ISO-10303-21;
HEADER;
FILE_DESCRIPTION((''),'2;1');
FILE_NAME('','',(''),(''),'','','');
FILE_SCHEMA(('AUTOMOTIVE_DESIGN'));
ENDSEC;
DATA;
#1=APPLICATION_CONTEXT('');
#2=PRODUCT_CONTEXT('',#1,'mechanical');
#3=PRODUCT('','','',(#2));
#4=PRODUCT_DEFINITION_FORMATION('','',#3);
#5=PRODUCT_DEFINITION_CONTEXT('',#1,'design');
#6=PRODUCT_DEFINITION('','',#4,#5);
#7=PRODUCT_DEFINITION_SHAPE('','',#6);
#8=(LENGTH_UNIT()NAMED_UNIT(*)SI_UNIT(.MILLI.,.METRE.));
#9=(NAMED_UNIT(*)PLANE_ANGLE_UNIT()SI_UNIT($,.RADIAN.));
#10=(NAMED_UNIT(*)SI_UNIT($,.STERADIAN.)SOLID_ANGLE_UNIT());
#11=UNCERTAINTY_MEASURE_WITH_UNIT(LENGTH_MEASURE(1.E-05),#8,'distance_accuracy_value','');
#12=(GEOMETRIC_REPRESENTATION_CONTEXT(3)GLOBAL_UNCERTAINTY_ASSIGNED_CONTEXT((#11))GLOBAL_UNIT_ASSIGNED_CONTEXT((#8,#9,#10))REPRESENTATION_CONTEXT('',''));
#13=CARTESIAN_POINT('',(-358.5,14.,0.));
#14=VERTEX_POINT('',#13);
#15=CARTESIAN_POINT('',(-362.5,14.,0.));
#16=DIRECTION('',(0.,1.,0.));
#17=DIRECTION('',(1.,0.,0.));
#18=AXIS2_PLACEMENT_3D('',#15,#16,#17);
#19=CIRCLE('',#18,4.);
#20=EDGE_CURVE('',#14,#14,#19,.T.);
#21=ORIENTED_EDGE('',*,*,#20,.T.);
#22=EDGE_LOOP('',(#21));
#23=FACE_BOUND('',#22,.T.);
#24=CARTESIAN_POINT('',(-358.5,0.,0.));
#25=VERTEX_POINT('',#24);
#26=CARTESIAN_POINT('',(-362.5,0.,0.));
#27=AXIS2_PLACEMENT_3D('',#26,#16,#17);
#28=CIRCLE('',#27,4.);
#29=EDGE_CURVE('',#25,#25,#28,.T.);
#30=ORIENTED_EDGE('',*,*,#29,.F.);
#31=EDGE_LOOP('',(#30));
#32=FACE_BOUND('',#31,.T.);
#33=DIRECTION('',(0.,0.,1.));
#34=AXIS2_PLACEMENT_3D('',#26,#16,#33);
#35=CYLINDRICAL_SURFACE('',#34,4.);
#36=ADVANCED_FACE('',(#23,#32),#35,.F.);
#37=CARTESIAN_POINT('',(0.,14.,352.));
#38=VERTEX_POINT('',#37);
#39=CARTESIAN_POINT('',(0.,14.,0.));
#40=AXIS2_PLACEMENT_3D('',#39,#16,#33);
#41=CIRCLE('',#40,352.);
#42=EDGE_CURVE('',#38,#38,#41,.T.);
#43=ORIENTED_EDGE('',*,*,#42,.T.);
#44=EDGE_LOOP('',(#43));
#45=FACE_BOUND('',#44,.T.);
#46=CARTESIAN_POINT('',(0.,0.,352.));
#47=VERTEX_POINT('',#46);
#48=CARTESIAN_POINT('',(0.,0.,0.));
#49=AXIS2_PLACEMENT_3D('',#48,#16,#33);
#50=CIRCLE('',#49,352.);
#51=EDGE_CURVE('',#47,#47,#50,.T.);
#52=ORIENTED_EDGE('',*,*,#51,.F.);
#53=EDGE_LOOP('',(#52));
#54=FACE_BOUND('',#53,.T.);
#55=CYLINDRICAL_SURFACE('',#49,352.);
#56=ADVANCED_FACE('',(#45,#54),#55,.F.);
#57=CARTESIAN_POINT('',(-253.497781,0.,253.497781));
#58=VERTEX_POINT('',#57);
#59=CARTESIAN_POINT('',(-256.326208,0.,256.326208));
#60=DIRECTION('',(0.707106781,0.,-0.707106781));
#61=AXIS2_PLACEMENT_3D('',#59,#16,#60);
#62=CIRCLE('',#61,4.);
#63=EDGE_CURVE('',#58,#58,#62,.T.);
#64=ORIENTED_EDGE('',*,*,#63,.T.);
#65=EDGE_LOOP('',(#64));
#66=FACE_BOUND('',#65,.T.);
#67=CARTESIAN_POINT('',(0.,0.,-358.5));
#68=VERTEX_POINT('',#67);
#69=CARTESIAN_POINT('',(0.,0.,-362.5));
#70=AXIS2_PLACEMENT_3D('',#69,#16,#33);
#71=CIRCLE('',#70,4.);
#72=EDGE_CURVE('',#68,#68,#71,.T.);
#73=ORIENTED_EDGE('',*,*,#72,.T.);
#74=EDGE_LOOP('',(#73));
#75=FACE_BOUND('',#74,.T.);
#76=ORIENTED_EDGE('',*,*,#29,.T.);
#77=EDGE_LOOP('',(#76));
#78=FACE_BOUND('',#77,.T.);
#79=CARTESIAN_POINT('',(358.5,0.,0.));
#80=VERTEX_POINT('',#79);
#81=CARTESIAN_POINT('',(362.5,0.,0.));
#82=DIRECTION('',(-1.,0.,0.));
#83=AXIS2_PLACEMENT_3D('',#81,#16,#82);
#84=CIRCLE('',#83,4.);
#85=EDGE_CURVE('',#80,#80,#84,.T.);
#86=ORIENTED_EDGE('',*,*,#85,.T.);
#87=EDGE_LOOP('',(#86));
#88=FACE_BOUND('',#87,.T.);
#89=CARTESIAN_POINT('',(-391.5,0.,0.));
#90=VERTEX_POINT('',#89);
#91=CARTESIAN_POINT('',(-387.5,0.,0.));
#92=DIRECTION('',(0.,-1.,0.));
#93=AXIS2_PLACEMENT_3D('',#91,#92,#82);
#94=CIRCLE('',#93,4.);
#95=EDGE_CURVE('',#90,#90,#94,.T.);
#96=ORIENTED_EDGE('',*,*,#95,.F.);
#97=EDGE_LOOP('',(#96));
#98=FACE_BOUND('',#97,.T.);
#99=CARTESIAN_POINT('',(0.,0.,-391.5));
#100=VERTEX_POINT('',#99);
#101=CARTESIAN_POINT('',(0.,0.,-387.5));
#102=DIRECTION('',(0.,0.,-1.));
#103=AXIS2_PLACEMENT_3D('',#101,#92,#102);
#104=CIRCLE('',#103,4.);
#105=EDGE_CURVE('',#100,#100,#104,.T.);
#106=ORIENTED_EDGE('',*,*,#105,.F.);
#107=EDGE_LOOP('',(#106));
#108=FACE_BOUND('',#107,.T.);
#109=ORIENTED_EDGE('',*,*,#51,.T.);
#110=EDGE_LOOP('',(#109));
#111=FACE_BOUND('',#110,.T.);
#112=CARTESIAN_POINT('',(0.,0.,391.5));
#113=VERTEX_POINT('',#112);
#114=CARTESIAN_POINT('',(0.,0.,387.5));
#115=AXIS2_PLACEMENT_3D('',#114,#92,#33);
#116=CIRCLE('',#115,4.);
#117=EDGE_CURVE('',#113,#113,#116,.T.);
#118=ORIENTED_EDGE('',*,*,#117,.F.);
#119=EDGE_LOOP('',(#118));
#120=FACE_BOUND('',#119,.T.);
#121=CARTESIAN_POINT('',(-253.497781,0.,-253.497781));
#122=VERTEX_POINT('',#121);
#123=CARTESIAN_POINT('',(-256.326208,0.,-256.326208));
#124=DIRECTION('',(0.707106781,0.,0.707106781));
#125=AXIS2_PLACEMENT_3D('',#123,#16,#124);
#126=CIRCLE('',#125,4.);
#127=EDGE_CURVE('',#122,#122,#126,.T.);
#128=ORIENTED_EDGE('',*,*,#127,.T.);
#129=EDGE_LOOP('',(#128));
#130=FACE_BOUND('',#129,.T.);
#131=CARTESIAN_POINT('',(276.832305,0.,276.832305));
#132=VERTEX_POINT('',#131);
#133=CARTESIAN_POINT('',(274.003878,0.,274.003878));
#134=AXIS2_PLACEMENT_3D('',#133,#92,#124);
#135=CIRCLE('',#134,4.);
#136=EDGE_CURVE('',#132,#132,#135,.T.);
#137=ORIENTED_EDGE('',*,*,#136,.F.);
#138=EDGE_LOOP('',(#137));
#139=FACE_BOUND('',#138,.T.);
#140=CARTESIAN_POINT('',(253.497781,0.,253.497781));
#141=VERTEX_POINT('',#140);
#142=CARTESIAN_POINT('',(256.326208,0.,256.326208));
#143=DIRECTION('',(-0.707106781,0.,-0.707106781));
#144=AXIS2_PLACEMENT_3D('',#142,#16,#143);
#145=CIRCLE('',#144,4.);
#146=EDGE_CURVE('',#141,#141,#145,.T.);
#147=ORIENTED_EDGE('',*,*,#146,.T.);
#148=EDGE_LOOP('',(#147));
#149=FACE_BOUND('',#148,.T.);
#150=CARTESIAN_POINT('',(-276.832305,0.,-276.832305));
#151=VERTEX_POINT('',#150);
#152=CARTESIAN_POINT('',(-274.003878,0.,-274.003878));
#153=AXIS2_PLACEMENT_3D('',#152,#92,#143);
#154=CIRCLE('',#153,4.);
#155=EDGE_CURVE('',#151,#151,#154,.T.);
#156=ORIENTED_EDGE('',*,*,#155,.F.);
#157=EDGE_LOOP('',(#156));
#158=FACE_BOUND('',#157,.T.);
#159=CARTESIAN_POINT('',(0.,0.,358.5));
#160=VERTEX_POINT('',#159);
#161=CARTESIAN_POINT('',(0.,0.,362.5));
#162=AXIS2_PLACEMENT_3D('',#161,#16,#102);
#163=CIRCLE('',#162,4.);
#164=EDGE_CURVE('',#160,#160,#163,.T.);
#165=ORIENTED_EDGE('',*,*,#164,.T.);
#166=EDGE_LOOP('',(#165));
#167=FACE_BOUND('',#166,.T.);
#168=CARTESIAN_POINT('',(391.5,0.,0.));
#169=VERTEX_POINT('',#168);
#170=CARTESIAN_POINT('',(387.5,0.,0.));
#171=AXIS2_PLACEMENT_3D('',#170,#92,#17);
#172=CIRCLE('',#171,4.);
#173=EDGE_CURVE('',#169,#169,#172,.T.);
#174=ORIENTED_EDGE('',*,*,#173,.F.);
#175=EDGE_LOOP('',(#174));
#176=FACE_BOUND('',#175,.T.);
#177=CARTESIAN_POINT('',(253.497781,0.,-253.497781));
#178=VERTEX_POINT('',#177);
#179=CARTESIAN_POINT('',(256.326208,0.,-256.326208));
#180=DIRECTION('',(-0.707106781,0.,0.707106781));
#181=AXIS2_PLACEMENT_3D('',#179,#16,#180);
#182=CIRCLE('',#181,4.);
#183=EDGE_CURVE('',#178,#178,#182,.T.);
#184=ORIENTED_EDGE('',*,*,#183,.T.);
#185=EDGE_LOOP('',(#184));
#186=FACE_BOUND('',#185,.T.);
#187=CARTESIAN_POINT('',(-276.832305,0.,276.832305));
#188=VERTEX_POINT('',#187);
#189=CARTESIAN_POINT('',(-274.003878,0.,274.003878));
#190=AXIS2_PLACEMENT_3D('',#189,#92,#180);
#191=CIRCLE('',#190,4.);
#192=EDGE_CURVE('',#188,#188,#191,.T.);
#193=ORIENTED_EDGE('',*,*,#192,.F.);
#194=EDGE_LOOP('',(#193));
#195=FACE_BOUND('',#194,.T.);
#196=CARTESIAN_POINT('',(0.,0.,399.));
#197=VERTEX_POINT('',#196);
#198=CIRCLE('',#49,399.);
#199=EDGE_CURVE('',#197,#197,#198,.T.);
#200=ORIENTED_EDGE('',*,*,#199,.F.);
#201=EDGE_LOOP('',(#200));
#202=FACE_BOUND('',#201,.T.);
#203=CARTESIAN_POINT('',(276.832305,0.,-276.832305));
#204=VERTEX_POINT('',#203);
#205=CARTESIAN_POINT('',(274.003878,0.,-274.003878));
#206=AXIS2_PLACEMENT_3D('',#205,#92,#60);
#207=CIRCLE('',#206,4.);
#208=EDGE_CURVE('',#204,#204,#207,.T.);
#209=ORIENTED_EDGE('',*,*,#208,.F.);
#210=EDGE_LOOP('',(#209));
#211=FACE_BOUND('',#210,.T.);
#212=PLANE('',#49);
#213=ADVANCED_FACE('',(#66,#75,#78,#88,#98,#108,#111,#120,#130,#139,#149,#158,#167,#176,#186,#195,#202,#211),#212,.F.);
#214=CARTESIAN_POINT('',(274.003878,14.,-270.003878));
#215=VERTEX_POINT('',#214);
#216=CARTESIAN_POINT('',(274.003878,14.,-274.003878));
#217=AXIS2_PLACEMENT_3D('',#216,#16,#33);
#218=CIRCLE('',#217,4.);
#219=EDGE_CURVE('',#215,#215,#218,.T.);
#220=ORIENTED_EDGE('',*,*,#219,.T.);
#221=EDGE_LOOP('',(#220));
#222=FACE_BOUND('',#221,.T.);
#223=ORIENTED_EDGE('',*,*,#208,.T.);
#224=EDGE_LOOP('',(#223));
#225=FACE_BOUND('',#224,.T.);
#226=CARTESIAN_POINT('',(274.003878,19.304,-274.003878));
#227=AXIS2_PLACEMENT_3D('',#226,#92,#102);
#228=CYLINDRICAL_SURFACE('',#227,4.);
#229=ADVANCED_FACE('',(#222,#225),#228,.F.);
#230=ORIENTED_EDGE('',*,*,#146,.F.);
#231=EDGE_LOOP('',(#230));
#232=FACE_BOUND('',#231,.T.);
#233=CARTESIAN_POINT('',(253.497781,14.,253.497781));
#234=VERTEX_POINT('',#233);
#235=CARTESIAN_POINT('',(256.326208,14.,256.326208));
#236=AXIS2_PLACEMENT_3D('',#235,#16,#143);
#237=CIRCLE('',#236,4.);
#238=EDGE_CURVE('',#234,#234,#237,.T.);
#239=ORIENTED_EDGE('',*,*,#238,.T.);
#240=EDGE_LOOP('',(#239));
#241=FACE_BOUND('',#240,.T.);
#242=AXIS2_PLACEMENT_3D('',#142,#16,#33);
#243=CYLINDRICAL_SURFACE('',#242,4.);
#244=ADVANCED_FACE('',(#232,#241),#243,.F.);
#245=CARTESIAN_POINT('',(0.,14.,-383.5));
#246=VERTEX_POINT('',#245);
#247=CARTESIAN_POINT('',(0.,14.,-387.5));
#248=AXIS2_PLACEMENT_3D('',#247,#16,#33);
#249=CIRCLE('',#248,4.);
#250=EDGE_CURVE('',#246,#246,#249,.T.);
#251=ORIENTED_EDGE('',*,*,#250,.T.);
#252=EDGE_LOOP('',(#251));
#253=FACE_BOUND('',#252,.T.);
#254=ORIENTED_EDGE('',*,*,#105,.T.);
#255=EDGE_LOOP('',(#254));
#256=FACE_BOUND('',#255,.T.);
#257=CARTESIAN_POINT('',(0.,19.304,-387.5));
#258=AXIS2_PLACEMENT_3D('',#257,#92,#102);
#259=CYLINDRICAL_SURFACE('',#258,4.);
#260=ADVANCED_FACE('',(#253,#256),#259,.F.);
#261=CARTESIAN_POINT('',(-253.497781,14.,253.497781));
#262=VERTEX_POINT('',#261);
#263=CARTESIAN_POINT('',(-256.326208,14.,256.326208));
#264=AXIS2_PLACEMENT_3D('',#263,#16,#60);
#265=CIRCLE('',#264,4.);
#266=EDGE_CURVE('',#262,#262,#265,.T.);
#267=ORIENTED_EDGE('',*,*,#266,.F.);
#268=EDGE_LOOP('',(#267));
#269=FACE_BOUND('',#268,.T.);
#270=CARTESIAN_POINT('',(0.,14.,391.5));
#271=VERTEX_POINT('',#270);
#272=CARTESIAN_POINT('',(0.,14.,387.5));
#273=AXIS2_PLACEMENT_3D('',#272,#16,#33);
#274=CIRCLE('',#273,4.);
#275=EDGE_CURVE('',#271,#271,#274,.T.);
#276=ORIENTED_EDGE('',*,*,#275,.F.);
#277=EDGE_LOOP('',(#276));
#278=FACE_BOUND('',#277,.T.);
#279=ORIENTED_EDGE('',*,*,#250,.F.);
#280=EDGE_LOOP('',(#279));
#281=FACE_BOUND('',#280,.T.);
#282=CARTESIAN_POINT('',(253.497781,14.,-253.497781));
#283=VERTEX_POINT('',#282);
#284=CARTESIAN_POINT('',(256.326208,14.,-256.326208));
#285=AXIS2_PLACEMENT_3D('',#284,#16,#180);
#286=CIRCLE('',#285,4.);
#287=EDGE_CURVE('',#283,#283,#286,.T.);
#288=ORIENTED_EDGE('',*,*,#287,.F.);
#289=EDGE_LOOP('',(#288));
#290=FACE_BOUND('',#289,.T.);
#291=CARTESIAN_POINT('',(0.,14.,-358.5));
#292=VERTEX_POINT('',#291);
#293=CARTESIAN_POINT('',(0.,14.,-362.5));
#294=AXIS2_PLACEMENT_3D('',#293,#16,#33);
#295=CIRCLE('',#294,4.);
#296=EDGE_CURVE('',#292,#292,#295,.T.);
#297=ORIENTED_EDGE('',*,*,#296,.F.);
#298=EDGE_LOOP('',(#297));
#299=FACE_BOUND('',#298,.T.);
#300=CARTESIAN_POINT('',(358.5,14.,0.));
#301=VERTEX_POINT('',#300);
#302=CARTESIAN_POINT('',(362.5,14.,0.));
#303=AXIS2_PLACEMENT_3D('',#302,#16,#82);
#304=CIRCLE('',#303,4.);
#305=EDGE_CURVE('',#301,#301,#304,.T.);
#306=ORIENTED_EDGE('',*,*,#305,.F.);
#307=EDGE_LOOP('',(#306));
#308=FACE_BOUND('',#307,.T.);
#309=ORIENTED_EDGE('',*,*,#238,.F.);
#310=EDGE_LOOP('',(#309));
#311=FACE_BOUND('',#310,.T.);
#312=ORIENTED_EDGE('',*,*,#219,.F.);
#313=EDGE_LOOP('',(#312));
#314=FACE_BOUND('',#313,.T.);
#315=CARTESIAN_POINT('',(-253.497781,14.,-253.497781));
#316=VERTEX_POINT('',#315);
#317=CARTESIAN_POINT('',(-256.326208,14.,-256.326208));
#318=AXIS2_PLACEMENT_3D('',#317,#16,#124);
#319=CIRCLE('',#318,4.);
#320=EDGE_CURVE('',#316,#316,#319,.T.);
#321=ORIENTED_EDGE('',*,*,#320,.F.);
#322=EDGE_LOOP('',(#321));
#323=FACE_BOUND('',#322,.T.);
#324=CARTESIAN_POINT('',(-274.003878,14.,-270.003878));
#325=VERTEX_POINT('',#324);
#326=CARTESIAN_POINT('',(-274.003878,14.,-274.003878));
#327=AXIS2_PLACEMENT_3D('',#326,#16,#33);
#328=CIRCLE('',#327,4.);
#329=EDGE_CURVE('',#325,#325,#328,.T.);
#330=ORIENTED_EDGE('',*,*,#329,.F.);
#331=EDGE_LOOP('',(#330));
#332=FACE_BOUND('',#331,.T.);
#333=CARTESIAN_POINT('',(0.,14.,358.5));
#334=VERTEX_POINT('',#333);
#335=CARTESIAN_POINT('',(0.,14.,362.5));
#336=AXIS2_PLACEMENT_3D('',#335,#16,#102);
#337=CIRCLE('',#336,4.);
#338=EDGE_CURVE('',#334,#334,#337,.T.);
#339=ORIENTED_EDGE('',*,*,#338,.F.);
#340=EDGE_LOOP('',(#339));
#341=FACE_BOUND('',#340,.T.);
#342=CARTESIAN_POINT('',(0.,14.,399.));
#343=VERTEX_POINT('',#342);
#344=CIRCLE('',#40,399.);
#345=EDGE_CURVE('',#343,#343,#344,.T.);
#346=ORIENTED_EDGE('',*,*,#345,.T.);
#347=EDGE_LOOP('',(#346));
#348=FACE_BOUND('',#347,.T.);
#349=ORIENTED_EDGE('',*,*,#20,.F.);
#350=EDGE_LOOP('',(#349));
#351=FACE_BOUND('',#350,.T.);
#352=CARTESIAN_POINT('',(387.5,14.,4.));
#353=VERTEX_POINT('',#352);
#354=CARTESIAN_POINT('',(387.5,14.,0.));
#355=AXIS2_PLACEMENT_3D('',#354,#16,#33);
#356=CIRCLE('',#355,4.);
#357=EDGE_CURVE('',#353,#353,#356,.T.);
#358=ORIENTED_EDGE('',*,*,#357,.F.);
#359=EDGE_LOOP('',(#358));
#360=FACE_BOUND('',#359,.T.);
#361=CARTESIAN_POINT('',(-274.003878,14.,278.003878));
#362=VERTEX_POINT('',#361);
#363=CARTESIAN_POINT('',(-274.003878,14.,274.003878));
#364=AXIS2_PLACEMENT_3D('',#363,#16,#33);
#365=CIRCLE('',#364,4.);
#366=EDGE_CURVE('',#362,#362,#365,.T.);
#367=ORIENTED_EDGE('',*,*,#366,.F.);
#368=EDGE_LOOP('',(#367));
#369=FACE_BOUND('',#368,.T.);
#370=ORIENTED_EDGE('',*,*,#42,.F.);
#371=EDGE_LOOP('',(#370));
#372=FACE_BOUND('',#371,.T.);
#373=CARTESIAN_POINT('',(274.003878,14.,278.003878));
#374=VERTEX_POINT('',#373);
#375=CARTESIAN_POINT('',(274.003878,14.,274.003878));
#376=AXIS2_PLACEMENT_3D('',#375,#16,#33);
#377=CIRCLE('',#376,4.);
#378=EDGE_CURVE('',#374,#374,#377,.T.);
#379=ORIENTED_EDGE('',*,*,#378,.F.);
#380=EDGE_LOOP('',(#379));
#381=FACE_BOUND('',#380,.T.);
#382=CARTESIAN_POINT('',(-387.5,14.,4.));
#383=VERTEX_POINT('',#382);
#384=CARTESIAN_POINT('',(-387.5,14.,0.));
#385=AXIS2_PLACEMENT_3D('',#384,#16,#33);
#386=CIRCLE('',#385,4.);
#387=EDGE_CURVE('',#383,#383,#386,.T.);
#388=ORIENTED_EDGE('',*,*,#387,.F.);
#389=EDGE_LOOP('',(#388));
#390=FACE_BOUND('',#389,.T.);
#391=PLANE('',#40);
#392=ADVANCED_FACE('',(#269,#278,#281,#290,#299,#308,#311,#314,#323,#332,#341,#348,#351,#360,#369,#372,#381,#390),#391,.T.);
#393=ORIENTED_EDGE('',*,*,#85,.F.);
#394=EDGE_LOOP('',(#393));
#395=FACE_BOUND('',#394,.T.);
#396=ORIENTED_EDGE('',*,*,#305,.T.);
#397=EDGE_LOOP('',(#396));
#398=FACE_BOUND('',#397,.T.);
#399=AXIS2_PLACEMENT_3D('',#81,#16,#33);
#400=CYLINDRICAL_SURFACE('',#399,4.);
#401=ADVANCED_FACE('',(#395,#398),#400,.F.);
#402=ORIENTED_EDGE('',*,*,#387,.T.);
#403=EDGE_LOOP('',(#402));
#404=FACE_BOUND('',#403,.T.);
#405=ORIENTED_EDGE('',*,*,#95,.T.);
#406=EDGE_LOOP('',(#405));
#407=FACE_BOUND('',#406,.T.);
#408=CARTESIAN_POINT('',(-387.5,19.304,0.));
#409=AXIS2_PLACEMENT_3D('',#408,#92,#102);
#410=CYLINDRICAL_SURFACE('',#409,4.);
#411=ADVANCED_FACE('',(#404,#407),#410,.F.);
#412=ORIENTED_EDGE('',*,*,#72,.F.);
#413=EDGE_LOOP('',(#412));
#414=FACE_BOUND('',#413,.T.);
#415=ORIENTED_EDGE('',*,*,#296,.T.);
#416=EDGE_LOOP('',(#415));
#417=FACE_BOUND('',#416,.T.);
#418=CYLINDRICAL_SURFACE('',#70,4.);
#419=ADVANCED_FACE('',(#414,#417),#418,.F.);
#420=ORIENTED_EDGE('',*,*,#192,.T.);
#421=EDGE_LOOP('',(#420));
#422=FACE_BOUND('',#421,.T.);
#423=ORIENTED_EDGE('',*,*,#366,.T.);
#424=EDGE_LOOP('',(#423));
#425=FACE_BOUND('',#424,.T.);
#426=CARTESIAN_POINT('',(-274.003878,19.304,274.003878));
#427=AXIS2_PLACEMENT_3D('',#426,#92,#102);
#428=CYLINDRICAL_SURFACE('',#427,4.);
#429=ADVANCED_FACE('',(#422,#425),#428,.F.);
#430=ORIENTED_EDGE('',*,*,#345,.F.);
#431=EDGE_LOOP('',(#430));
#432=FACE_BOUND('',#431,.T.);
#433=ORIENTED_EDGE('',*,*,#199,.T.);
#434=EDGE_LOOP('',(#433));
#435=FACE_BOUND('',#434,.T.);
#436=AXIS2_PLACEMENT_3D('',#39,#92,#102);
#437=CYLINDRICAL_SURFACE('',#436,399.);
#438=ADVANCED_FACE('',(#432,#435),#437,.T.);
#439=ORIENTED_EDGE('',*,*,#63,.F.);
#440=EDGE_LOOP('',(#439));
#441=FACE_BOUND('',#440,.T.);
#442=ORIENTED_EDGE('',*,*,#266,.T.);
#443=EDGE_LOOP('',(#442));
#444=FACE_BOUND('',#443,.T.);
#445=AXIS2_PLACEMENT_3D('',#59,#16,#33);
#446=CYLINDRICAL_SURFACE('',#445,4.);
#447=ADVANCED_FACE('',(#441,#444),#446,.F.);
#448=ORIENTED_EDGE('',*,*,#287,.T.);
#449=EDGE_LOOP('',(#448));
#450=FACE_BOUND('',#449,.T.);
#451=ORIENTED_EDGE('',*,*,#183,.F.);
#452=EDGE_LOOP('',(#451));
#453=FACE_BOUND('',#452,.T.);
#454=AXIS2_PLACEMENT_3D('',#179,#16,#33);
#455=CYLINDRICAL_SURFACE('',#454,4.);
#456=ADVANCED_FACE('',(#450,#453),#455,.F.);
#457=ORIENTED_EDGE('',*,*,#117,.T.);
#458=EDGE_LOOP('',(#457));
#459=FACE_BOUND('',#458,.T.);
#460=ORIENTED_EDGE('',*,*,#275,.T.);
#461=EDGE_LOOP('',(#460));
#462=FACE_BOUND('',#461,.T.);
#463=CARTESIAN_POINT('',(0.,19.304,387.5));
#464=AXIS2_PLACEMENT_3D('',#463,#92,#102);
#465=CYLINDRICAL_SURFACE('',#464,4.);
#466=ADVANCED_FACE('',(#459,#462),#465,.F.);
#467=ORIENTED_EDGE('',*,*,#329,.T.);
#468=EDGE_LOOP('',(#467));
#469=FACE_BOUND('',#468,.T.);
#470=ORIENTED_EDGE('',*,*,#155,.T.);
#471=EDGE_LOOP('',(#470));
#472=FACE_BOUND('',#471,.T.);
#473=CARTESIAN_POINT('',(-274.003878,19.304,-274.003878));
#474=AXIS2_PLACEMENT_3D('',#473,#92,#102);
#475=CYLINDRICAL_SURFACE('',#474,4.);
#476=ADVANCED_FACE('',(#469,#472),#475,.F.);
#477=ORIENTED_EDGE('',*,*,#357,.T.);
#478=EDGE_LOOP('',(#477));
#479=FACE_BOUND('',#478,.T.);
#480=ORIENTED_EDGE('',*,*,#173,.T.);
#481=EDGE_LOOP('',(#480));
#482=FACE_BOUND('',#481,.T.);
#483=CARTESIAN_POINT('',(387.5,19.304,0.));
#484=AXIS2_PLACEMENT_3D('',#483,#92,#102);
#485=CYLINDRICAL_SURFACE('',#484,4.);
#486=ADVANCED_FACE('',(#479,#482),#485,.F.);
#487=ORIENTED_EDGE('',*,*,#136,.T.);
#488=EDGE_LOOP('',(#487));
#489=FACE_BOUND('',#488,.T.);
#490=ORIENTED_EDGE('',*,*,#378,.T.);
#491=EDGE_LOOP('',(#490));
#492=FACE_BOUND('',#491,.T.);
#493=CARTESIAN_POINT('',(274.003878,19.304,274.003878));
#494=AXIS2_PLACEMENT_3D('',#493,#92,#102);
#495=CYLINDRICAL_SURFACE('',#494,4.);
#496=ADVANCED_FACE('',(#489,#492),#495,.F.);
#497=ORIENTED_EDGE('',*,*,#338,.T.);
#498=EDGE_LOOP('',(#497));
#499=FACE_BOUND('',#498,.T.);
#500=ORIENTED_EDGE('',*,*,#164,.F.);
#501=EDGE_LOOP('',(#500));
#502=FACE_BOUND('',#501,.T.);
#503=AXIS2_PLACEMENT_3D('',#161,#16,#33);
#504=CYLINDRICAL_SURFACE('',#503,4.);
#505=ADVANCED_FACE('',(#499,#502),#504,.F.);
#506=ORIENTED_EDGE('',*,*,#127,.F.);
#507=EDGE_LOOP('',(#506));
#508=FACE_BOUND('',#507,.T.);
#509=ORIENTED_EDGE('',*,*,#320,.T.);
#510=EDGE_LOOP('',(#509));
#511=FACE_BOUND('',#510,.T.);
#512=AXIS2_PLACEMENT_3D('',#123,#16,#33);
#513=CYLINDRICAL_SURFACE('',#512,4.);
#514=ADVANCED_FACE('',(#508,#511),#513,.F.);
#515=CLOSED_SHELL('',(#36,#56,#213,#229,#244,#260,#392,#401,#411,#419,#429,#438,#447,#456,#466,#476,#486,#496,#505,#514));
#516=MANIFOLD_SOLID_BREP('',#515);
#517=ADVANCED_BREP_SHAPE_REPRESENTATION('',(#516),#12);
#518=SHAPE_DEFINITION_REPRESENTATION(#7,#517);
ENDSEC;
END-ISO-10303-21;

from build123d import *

# Parameters (mm, degrees)
SKETCH1_R           = 399
BOSS_EXTRUDE1_DEPTH = 14
SKETCH2_R           = 352
CUT_EXTRUDE1_DEPTH  = 14
SKETCH4_R           = 4
CUT_EXTRUDE2_DEPTH  = 19.304
CIRPATTERN1_COUNT   = 8
SKETCH7_R           = 4
CUT_EXTRUDE3_DEPTH  = 15
CIRPATTERN2_COUNT   = 8


with BuildPart() as part:
    # Sketch1 → Boss-Extrude1 (new body)
    with BuildSketch(Plane(origin=(0, 0, 0), x_dir=(1, 0, 0), z_dir=(0, 1, 0))):
        Circle(SKETCH1_R)
    extrude(amount=BOSS_EXTRUDE1_DEPTH)

    # Sketch2 → Cut-Extrude1 (cut)
    with BuildSketch(Plane(origin=(0, 14, 0), x_dir=(1, 0, 0), z_dir=(0, 1, 0))):
        Circle(SKETCH2_R)
    extrude(amount=-CUT_EXTRUDE1_DEPTH, mode=Mode.SUBTRACT)

    # Sketch4 → Cut-Extrude2 (cut)
    with BuildSketch(Plane(origin=(0, 0, 0), x_dir=(-1, 0, 0), z_dir=(0, -1, 0))):
        with Locations((0, 387.5)):
            Circle(SKETCH4_R)
    cut_extrude2 = extrude(amount=-CUT_EXTRUDE2_DEPTH, mode=Mode.SUBTRACT)

    # CirPattern1: Cut-Extrude2 ×8 about axis
    cirpattern1_axis = Axis((0, 0, 0), (0, 1, 0))
    for i in range(1, CIRPATTERN1_COUNT):
        add(cut_extrude2.rotate(cirpattern1_axis, i * 360 / CIRPATTERN1_COUNT), mode=Mode.SUBTRACT)

    # Sketch7 → Cut-Extrude3 (cut, through all)
    with BuildSketch(Plane(origin=(0, 14, 0), x_dir=(1, 0, 0), z_dir=(0, 1, 0))):
        with Locations((0, 362.5)):
            Circle(SKETCH7_R)
    cut_extrude3 = extrude(amount=-CUT_EXTRUDE3_DEPTH, mode=Mode.SUBTRACT)

    # CirPattern2: Cut-Extrude3 ×8 about axis
    cirpattern2_axis = Axis((0, 0, 0), (0, 1, 0))
    for i in range(1, CIRPATTERN2_COUNT):
        add(cut_extrude3.rotate(cirpattern2_axis, i * 360 / CIRPATTERN2_COUNT), mode=Mode.SUBTRACT)


solid = part.part
